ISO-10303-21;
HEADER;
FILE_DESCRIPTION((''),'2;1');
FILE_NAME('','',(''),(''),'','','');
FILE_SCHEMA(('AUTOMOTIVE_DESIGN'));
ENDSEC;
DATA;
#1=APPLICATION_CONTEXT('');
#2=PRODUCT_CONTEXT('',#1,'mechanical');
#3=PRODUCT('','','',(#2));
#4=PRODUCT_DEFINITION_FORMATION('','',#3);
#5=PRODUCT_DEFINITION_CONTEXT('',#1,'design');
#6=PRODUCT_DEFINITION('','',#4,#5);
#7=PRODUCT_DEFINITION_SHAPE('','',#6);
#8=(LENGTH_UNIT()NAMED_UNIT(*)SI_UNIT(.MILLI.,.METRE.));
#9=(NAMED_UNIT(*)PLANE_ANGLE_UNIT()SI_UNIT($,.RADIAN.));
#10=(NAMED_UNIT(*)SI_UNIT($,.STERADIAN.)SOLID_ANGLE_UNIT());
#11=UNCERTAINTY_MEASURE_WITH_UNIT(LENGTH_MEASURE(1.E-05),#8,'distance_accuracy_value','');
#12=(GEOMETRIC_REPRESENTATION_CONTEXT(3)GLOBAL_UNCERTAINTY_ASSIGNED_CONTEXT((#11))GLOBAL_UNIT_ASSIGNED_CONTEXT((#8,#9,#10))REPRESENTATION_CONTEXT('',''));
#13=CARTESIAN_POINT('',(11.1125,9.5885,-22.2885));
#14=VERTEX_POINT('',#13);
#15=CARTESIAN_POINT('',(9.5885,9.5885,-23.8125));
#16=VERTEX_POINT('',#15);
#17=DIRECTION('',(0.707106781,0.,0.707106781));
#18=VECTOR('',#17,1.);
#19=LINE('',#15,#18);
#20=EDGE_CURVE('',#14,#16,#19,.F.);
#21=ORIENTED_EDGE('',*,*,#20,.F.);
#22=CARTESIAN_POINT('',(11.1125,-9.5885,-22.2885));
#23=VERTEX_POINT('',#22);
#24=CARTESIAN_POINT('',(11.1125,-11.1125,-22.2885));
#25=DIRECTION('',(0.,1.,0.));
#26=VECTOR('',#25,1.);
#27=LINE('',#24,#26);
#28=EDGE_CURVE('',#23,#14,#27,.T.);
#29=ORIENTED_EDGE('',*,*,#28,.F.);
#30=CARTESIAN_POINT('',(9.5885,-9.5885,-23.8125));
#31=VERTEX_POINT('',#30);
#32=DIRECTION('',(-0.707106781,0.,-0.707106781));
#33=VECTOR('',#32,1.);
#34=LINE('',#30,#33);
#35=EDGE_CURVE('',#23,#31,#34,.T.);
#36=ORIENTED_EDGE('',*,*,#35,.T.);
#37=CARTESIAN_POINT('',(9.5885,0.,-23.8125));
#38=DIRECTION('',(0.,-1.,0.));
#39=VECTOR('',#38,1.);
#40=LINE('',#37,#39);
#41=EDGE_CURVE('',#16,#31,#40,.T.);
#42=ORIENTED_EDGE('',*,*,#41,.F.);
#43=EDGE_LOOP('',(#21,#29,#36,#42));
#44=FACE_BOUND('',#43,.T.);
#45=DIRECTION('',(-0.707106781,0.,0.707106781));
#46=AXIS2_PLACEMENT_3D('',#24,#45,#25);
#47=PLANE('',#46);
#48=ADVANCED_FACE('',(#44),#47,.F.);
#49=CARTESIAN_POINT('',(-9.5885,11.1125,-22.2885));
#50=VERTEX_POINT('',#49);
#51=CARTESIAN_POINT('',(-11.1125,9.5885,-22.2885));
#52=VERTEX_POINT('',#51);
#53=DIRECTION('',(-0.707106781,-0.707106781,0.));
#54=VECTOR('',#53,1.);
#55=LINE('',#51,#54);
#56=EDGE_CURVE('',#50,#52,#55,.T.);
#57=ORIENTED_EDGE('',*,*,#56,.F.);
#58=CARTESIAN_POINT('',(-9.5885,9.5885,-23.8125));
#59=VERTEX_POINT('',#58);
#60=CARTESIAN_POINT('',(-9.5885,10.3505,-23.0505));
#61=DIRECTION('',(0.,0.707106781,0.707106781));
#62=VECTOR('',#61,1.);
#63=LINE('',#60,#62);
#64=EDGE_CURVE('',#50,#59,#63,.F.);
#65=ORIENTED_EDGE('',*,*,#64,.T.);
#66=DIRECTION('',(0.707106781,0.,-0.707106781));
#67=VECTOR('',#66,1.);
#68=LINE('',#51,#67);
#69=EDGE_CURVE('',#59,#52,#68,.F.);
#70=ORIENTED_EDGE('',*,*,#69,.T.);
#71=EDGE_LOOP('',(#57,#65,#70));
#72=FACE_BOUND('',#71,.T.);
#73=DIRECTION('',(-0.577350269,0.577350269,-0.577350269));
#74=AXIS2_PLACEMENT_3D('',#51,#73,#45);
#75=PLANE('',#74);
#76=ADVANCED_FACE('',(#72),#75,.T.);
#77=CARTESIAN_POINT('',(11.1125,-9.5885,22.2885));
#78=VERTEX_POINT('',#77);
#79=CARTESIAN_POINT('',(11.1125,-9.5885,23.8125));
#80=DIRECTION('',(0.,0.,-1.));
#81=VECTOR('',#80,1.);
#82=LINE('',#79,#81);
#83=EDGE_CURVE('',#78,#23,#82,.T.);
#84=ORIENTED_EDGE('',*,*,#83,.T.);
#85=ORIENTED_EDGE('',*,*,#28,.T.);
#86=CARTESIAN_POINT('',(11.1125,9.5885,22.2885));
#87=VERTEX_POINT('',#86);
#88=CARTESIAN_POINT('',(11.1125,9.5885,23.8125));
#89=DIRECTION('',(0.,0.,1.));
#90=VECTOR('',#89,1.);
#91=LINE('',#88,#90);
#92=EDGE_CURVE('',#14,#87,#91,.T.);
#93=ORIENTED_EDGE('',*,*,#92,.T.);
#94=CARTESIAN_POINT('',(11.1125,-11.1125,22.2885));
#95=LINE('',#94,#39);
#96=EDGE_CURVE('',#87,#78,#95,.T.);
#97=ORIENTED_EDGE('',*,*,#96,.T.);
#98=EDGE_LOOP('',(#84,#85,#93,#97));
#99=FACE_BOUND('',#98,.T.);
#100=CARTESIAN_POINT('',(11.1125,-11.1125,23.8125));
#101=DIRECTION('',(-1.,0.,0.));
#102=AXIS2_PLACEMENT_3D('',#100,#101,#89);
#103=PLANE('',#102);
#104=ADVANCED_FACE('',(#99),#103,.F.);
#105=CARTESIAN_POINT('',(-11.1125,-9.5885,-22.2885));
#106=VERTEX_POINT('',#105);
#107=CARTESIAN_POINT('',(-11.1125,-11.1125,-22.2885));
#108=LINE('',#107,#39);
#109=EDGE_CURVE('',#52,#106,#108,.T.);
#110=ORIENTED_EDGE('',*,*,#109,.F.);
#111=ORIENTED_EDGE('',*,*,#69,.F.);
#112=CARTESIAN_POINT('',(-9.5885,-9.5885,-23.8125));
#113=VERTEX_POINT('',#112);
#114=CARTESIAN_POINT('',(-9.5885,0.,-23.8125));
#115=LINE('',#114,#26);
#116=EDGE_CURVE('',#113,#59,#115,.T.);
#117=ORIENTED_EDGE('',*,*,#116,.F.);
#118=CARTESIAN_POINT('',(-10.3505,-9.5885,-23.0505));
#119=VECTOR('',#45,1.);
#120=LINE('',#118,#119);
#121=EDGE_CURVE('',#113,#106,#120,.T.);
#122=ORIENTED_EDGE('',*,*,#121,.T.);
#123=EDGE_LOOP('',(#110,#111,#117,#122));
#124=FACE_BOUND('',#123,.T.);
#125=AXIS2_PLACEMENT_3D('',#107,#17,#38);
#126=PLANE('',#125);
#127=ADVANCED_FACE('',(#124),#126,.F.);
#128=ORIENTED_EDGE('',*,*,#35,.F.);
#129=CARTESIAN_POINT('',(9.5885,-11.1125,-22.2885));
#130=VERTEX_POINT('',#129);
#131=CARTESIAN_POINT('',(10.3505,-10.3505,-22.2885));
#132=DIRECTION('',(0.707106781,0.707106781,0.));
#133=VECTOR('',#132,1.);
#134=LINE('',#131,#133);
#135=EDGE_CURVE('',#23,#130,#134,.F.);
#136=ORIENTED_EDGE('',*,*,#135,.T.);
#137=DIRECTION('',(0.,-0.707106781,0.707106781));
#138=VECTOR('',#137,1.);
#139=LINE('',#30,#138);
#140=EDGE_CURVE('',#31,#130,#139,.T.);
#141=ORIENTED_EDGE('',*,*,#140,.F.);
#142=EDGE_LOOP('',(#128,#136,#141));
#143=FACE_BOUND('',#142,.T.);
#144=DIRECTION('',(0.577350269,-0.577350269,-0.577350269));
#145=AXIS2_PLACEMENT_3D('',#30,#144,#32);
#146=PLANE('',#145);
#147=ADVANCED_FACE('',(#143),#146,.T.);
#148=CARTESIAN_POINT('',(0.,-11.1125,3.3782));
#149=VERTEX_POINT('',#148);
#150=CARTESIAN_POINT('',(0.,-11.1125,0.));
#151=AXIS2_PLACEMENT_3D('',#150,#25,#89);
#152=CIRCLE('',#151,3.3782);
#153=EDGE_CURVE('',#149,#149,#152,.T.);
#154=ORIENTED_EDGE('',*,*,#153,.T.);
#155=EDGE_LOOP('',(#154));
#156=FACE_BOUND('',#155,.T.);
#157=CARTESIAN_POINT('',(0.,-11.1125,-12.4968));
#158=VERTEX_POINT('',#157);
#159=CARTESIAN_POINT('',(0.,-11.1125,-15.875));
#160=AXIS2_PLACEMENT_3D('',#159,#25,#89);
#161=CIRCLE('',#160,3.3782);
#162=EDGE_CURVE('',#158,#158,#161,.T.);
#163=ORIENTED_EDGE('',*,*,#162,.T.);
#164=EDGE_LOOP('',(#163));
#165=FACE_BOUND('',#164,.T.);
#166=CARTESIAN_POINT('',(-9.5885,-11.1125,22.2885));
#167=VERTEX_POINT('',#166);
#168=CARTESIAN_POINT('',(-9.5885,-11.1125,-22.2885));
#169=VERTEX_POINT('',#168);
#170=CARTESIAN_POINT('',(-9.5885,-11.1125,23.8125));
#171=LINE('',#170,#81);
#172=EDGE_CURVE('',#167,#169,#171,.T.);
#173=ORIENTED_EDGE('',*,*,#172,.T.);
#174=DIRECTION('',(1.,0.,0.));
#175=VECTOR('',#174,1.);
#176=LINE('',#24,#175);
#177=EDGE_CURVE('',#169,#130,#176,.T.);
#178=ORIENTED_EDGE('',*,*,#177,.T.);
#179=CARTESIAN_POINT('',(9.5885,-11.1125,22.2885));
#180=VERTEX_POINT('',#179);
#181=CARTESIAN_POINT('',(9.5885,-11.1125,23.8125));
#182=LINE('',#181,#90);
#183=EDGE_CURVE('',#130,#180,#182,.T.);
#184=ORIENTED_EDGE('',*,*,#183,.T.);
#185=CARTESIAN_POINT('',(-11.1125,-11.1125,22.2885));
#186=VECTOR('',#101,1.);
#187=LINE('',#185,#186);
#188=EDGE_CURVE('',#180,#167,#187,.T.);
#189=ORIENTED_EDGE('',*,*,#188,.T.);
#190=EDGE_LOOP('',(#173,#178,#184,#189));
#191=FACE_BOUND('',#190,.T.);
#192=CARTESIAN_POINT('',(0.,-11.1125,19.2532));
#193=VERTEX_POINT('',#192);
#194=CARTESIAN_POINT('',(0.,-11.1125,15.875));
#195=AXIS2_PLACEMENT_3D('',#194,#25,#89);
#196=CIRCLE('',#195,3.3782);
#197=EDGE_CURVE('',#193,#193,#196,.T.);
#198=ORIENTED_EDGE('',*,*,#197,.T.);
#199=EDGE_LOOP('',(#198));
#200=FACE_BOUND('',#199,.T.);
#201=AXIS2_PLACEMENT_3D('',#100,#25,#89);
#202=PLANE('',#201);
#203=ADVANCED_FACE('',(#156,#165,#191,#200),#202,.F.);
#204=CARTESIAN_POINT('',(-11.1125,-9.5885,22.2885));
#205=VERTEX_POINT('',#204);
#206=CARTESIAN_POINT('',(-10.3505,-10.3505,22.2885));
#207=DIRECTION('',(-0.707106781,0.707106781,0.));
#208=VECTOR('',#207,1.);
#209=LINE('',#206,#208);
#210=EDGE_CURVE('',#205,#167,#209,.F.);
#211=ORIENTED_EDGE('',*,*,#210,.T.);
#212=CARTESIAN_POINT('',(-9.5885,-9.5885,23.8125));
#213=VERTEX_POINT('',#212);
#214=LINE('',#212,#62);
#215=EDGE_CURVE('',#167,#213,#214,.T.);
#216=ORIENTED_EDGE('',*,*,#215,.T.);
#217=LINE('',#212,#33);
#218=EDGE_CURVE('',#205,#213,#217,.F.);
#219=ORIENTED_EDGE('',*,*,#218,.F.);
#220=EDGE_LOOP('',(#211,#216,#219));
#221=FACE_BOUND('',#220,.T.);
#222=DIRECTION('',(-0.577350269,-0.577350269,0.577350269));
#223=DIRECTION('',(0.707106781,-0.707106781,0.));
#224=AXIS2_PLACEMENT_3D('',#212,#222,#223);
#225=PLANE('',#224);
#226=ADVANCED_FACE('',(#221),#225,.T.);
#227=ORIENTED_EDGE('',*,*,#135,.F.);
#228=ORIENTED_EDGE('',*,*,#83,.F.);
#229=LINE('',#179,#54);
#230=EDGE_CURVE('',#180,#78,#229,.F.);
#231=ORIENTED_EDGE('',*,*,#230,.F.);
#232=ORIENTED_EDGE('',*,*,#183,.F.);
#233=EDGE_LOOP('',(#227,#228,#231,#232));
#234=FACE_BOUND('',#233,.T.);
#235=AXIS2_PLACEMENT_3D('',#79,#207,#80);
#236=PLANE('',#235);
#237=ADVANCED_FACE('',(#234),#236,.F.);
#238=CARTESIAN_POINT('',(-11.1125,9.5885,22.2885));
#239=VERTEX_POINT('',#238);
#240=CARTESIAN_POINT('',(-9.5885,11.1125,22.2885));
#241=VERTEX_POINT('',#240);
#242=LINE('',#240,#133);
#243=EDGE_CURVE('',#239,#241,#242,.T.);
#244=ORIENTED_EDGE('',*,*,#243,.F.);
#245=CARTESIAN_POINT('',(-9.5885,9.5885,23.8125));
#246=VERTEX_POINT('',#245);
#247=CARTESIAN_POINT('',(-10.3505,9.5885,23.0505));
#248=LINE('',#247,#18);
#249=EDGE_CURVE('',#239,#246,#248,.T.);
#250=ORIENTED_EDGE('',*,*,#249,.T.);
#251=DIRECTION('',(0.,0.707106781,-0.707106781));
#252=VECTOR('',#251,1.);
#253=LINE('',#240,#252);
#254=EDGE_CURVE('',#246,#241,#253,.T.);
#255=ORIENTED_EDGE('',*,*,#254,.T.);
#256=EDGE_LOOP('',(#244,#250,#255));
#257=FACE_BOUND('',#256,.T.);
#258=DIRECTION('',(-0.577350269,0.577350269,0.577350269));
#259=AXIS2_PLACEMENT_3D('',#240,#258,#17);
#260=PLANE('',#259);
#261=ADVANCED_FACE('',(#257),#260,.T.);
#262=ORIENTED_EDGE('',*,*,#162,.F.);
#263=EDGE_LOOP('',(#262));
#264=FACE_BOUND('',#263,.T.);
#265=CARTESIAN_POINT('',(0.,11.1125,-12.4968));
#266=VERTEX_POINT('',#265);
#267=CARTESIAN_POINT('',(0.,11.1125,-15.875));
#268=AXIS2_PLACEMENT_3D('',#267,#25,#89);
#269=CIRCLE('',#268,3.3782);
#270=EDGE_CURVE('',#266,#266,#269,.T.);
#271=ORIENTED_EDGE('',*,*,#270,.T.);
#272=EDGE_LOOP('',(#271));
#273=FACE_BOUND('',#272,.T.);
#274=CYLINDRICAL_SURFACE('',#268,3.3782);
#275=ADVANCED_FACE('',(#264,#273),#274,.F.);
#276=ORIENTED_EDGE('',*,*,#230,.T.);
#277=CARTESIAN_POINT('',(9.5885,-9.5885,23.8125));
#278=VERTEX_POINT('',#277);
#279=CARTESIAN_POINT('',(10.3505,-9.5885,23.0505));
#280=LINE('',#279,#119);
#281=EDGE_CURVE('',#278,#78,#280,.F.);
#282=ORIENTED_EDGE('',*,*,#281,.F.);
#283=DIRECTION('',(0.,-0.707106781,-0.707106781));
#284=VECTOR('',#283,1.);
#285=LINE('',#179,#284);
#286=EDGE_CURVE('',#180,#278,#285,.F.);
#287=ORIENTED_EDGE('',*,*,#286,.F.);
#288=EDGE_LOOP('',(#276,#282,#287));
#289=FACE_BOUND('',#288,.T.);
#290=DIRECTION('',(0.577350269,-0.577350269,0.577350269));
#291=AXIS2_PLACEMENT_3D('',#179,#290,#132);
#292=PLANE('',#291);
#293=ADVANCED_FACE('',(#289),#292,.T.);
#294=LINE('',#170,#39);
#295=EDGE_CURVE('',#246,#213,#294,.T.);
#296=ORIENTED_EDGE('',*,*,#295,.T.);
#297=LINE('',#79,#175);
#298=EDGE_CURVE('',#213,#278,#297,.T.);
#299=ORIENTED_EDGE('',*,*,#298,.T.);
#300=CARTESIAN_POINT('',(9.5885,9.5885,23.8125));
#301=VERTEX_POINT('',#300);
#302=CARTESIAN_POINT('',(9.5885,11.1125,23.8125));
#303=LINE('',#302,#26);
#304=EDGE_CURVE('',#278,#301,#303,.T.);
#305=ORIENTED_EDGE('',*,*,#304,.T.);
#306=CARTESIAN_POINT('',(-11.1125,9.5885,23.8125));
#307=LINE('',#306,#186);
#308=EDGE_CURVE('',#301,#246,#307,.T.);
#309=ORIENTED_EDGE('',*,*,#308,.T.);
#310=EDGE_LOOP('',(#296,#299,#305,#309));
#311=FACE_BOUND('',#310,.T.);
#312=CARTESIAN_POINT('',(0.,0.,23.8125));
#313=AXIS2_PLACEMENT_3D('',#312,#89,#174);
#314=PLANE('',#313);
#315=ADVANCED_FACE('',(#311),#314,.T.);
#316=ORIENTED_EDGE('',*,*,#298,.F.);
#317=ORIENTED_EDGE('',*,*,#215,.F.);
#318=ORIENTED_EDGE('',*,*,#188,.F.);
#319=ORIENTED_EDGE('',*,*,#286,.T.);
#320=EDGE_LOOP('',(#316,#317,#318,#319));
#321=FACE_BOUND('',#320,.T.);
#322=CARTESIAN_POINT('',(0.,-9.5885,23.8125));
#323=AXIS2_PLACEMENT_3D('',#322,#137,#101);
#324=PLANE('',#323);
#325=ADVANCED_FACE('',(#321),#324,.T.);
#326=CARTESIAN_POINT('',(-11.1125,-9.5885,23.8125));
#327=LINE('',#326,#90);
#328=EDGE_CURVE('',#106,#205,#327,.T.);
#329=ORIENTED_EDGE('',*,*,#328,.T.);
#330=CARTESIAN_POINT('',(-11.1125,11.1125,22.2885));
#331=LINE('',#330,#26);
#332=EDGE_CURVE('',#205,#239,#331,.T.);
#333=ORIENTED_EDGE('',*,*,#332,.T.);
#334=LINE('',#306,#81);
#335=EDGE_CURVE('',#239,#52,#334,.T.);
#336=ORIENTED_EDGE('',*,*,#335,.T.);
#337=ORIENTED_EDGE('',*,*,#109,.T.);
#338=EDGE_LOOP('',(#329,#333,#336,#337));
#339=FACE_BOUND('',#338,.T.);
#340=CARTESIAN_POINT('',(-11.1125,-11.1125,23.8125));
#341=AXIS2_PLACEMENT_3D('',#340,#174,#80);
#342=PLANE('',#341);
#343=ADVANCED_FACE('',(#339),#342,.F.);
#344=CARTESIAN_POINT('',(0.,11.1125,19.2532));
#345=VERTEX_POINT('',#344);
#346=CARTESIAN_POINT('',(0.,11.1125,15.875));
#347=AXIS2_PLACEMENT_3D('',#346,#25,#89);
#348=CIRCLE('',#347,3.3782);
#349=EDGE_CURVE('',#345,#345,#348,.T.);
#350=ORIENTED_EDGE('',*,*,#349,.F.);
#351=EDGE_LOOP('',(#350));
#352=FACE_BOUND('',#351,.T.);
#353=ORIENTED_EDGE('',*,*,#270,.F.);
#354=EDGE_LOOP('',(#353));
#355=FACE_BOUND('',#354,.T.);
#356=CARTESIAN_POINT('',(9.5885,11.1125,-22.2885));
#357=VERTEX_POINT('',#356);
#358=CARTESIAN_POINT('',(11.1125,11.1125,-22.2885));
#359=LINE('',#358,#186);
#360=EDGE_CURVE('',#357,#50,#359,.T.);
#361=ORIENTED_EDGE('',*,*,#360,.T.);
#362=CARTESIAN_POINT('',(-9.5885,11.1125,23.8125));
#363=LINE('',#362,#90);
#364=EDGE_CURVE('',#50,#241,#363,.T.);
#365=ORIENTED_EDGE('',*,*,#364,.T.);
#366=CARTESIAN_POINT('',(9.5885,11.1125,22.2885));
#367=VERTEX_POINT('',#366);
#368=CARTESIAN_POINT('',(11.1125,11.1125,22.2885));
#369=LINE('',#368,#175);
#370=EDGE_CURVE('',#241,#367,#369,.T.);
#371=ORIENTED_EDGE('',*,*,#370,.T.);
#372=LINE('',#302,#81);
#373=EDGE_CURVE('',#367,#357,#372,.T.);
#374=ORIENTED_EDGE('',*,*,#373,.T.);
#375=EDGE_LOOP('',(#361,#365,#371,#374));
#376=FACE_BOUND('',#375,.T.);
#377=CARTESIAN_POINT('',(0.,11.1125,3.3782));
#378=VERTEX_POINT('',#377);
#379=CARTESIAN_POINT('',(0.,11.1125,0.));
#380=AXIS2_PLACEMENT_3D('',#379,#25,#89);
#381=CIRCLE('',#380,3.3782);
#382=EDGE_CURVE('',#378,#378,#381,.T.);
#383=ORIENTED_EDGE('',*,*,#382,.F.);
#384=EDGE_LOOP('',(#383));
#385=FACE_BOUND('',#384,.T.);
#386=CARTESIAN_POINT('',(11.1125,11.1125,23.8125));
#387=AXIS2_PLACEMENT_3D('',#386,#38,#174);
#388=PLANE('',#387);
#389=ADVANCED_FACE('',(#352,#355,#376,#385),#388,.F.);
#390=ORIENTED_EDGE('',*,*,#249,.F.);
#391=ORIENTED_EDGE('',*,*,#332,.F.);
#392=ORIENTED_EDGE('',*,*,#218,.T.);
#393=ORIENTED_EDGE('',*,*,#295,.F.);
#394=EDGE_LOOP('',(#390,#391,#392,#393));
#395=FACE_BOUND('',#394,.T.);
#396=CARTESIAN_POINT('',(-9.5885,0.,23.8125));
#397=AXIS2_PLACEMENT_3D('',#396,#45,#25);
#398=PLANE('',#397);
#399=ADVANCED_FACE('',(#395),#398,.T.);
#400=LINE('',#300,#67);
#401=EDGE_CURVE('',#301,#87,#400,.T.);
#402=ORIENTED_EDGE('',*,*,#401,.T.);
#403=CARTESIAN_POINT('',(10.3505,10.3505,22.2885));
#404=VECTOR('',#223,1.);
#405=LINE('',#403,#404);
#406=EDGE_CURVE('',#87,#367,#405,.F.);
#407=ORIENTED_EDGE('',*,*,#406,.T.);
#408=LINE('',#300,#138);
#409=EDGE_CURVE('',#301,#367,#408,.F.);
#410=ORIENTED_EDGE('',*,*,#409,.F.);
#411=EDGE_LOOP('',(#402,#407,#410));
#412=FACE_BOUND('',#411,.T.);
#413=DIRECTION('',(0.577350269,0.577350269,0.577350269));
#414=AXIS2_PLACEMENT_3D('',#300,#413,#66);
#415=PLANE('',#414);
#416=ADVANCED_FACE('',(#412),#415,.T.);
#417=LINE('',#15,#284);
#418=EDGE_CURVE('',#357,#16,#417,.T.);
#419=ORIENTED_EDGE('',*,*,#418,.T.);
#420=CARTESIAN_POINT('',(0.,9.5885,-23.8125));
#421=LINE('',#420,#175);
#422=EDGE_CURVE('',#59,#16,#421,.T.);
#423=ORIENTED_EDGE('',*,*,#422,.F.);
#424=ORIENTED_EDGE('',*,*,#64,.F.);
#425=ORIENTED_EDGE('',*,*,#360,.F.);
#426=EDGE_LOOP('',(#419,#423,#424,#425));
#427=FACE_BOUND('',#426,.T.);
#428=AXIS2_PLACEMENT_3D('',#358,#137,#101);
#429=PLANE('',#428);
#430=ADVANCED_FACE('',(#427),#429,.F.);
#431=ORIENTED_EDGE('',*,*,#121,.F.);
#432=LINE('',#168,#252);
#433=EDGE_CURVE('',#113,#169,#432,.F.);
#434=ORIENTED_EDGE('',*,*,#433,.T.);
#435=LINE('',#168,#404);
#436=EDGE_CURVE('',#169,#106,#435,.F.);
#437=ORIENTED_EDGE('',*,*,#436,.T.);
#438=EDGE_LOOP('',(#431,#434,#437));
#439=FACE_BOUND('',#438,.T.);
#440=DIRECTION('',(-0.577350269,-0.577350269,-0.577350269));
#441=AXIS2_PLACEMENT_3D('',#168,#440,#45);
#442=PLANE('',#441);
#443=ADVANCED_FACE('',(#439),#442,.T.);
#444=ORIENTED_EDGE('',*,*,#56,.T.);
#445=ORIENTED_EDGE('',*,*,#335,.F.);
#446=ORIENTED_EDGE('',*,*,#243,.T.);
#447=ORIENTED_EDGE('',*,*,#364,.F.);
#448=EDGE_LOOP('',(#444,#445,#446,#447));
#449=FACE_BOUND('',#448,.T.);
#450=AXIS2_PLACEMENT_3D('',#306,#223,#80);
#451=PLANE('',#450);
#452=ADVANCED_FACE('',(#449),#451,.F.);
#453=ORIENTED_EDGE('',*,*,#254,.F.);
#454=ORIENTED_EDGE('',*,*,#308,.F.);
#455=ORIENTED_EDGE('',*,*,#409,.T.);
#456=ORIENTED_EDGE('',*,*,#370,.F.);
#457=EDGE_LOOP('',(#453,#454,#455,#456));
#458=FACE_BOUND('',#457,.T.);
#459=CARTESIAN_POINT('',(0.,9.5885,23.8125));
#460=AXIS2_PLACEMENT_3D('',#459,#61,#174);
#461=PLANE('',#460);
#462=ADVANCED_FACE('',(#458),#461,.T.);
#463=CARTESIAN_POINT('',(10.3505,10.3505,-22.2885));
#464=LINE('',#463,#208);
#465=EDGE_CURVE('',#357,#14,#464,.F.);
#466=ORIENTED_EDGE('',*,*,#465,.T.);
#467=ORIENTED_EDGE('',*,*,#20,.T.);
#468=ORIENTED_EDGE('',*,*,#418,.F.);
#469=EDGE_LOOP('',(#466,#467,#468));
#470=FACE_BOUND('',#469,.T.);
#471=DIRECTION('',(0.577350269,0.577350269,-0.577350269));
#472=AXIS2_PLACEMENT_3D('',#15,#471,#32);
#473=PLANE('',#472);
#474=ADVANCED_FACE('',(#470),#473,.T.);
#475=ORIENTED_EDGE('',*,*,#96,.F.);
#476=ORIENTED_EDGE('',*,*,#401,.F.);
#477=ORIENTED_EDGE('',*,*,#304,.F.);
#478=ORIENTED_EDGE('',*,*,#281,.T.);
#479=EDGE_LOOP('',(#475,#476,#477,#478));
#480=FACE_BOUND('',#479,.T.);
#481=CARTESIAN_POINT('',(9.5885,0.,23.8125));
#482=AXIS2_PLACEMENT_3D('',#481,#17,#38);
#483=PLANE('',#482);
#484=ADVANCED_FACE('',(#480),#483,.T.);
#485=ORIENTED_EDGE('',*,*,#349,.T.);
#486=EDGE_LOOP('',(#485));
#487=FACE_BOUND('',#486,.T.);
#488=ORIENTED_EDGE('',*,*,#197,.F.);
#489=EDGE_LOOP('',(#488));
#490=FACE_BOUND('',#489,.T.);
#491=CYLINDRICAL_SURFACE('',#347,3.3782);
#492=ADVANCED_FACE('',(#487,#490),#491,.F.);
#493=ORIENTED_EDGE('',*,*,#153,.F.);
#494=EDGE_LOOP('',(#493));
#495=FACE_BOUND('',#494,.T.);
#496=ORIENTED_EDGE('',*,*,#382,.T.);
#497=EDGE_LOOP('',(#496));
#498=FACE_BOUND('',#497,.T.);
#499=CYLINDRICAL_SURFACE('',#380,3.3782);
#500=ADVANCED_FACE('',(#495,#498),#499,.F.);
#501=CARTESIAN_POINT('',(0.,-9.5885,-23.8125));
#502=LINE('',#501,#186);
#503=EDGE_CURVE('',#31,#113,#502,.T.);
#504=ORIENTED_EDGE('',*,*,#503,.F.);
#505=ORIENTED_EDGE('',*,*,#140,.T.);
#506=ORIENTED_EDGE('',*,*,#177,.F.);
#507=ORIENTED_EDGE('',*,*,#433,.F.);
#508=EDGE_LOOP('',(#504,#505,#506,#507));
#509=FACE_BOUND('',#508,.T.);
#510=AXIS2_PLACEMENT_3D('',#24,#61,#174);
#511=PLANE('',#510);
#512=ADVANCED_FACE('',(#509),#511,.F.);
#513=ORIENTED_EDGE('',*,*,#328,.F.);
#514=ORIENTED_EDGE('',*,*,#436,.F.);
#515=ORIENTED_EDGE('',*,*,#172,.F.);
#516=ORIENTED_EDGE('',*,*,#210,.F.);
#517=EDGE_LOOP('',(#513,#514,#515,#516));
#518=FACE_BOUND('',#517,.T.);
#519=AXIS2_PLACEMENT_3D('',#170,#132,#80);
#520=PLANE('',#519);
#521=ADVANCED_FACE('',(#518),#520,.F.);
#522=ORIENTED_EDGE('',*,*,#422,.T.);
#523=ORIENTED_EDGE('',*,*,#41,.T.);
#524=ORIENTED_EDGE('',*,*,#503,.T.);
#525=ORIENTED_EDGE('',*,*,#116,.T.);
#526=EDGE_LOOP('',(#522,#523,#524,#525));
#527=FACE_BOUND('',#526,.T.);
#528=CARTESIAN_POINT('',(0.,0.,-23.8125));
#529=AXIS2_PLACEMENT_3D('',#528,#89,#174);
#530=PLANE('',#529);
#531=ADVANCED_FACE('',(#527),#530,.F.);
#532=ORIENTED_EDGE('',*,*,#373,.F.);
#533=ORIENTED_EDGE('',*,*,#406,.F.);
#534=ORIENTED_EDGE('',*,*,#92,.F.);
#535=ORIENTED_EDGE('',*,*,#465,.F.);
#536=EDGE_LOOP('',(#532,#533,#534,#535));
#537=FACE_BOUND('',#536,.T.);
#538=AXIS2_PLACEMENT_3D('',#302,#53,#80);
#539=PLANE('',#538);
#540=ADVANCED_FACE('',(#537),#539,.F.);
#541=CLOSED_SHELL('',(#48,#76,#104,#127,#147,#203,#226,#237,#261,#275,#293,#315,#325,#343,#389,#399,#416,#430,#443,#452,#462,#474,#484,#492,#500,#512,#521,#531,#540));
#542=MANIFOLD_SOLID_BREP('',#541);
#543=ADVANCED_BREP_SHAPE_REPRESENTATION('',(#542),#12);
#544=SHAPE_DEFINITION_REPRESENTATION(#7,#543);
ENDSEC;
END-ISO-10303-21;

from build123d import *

# Parameters (mm, degrees)
SKETCH1_W               = 22.225
SKETCH1_H               = 22.225
BOSS_EXTRUDE1_DEPTH     = 23.8125
F_1_4_CLEARANCE_HOLE1_D = 6.7564
CHAMFER1_SIZE           = 1.524


with BuildPart() as part:
    # Sketch1 → Boss-Extrude1 (new, symmetric)
    with BuildSketch(Plane.XY):
        Rectangle(SKETCH1_W, SKETCH1_H)
    extrude(amount=BOSS_EXTRUDE1_DEPTH, both=True)

    # 1/4 Clearance Hole1 (through all)
    with Locations(Plane(origin=(0, 11.1125, 0), x_dir=(1, 0, 0), z_dir=(0, 1, 0))):
        with Locations((0, 15.875), (0, -15.875), (0, 0)):
            Hole(F_1_4_CLEARANCE_HOLE1_D / 2)

    # Chamfer1
    chamfer1_edges = [part.edges().sort_by_distance(p)[0] for p in [
        (11.1125, 0, 23.8125),
        (0, 11.1125, 23.8125),
        (-11.1125, 0, 23.8125),
        (0, 11.1125, -23.8125),
        (11.1125, 0, -23.8125),
        (0, -11.1125, -23.8125),
        (-11.1125, 0, -23.8125),
        (-11.1125, 11.1125, 0),
        (11.1125, 11.1125, 0),
        (11.1125, -11.1125, 0),
        (-11.1125, -11.1125, 0),
        (0, -11.1125, 23.8125),
    ]]
    chamfer(chamfer1_edges, length=CHAMFER1_SIZE)


solid = part.part
